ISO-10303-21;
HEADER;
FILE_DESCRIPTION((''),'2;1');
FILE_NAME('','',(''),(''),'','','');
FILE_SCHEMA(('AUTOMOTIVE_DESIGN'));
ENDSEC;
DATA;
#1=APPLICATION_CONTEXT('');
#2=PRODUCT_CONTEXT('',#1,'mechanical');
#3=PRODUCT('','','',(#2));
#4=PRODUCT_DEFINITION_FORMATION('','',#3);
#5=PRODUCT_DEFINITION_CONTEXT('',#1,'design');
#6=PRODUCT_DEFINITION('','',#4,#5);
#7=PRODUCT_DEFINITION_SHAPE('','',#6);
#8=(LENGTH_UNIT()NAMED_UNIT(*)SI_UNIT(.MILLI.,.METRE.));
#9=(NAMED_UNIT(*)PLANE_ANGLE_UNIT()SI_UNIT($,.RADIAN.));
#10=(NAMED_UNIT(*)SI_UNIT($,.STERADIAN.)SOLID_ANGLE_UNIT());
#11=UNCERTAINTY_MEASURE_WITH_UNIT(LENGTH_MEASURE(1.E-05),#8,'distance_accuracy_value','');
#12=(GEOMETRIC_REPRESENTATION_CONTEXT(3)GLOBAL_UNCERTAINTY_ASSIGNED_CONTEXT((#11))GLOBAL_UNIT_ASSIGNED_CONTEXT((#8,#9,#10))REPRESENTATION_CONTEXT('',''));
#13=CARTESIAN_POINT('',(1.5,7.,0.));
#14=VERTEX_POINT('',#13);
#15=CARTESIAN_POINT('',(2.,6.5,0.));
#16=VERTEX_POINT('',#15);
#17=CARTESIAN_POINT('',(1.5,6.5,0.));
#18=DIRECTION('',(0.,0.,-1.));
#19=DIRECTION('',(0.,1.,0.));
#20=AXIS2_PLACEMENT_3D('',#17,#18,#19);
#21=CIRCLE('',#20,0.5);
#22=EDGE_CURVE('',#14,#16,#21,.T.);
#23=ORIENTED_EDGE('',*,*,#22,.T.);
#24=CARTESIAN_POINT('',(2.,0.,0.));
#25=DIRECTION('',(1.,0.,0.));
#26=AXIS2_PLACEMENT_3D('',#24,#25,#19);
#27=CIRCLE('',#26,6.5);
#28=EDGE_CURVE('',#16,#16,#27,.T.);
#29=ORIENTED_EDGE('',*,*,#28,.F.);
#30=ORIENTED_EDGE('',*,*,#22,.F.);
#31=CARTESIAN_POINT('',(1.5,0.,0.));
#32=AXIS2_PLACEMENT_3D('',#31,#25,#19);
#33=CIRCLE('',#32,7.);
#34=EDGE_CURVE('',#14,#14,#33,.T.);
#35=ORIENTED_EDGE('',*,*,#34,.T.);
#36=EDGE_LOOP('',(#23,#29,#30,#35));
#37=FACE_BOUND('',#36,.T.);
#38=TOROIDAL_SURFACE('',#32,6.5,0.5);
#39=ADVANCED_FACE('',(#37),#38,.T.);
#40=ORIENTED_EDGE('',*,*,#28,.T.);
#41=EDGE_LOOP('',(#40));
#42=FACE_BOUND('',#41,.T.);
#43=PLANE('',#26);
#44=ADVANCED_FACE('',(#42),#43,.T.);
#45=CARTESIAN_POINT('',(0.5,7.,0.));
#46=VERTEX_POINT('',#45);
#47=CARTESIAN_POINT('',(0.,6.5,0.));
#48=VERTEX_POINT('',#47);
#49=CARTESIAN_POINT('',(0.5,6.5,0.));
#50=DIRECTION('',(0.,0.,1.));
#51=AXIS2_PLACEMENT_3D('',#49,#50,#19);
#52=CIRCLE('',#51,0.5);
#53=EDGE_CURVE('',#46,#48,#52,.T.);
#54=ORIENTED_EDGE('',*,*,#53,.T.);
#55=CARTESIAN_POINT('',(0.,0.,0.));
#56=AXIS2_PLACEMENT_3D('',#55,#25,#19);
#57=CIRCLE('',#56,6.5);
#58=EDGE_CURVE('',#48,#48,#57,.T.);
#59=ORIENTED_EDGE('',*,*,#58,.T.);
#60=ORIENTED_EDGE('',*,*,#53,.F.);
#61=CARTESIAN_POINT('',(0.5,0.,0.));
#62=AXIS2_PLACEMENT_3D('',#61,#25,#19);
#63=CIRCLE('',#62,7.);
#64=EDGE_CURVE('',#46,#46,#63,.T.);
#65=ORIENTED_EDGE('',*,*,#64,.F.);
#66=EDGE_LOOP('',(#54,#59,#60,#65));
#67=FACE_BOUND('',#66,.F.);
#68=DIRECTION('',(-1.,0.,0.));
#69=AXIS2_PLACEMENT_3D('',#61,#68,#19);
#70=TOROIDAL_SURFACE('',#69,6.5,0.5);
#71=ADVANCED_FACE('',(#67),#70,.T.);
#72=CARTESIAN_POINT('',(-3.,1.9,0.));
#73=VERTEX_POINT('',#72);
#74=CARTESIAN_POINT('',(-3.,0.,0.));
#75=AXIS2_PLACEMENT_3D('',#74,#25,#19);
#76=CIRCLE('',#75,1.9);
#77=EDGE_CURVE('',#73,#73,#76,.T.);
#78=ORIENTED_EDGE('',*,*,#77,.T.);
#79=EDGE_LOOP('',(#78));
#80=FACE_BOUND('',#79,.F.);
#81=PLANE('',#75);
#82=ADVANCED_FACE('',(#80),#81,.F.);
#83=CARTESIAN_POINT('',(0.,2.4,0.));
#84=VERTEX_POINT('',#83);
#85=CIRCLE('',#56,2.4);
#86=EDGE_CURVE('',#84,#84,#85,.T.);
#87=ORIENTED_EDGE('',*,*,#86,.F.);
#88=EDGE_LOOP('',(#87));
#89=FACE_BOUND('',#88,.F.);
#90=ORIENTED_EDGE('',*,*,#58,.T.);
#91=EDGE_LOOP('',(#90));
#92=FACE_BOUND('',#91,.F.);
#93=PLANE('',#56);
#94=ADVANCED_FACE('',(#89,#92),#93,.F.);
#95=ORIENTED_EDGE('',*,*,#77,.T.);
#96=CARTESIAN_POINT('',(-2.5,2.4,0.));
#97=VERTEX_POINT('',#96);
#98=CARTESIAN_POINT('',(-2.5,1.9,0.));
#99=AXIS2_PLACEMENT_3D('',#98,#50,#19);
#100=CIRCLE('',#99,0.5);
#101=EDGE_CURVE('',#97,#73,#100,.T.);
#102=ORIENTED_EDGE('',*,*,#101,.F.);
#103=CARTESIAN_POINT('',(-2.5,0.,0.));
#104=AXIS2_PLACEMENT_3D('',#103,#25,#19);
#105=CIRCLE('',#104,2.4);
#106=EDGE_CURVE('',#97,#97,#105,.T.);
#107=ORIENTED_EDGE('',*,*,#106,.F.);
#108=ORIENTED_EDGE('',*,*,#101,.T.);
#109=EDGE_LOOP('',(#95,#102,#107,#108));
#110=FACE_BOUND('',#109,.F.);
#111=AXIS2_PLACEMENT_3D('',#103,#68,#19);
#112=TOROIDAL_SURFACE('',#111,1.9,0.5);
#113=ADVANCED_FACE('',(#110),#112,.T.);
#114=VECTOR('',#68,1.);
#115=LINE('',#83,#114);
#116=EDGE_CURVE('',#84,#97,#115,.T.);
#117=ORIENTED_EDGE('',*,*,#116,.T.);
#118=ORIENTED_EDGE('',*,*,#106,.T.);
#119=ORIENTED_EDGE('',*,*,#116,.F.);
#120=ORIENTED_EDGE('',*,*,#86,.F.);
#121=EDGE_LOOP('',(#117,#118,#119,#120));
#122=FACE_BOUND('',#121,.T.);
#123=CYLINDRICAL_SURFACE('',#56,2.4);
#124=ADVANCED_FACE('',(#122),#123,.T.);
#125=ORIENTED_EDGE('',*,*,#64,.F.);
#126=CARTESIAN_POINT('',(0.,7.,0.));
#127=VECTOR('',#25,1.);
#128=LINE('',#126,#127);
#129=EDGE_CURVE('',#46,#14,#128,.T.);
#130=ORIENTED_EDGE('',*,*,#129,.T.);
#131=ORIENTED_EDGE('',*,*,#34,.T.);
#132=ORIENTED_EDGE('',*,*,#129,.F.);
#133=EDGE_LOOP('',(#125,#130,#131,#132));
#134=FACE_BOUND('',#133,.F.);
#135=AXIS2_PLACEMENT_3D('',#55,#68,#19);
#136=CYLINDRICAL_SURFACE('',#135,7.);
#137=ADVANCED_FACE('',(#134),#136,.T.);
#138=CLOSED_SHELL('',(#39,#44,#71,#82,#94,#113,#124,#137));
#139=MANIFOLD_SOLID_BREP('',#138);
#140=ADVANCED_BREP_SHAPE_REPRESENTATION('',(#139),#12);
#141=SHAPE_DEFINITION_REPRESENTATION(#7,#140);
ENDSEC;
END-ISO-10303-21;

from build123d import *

# Parameters (mm, degrees)
F0_R     = 7
F0_R_2   = 2.4
F1_DEPTH = 2
F2_DEPTH = 3
F3_R     = 0.5


with BuildPart() as f1:
    # F0 (on Right) → F1 (new body)
    with BuildSketch(Plane.YZ):
        Circle(F0_R)
        Circle(F0_R_2, mode=Mode.SUBTRACT)
        Circle(F0_R_2)
    extrude(amount=F1_DEPTH)

    # F0 (on Right) → F2 (join)
    with BuildSketch(Plane.YZ):
        Circle(F0_R_2)
    extrude(amount=-F2_DEPTH)

    # F3
    f3_edges = [f1.edges().sort_by_distance(p)[0] for p in [
        (2, -7, 0),
        (-3, -2.4, 0),
        (0, -7, 0),
    ]]
    fillet(f3_edges, radius=F3_R)


solid = f1.part
